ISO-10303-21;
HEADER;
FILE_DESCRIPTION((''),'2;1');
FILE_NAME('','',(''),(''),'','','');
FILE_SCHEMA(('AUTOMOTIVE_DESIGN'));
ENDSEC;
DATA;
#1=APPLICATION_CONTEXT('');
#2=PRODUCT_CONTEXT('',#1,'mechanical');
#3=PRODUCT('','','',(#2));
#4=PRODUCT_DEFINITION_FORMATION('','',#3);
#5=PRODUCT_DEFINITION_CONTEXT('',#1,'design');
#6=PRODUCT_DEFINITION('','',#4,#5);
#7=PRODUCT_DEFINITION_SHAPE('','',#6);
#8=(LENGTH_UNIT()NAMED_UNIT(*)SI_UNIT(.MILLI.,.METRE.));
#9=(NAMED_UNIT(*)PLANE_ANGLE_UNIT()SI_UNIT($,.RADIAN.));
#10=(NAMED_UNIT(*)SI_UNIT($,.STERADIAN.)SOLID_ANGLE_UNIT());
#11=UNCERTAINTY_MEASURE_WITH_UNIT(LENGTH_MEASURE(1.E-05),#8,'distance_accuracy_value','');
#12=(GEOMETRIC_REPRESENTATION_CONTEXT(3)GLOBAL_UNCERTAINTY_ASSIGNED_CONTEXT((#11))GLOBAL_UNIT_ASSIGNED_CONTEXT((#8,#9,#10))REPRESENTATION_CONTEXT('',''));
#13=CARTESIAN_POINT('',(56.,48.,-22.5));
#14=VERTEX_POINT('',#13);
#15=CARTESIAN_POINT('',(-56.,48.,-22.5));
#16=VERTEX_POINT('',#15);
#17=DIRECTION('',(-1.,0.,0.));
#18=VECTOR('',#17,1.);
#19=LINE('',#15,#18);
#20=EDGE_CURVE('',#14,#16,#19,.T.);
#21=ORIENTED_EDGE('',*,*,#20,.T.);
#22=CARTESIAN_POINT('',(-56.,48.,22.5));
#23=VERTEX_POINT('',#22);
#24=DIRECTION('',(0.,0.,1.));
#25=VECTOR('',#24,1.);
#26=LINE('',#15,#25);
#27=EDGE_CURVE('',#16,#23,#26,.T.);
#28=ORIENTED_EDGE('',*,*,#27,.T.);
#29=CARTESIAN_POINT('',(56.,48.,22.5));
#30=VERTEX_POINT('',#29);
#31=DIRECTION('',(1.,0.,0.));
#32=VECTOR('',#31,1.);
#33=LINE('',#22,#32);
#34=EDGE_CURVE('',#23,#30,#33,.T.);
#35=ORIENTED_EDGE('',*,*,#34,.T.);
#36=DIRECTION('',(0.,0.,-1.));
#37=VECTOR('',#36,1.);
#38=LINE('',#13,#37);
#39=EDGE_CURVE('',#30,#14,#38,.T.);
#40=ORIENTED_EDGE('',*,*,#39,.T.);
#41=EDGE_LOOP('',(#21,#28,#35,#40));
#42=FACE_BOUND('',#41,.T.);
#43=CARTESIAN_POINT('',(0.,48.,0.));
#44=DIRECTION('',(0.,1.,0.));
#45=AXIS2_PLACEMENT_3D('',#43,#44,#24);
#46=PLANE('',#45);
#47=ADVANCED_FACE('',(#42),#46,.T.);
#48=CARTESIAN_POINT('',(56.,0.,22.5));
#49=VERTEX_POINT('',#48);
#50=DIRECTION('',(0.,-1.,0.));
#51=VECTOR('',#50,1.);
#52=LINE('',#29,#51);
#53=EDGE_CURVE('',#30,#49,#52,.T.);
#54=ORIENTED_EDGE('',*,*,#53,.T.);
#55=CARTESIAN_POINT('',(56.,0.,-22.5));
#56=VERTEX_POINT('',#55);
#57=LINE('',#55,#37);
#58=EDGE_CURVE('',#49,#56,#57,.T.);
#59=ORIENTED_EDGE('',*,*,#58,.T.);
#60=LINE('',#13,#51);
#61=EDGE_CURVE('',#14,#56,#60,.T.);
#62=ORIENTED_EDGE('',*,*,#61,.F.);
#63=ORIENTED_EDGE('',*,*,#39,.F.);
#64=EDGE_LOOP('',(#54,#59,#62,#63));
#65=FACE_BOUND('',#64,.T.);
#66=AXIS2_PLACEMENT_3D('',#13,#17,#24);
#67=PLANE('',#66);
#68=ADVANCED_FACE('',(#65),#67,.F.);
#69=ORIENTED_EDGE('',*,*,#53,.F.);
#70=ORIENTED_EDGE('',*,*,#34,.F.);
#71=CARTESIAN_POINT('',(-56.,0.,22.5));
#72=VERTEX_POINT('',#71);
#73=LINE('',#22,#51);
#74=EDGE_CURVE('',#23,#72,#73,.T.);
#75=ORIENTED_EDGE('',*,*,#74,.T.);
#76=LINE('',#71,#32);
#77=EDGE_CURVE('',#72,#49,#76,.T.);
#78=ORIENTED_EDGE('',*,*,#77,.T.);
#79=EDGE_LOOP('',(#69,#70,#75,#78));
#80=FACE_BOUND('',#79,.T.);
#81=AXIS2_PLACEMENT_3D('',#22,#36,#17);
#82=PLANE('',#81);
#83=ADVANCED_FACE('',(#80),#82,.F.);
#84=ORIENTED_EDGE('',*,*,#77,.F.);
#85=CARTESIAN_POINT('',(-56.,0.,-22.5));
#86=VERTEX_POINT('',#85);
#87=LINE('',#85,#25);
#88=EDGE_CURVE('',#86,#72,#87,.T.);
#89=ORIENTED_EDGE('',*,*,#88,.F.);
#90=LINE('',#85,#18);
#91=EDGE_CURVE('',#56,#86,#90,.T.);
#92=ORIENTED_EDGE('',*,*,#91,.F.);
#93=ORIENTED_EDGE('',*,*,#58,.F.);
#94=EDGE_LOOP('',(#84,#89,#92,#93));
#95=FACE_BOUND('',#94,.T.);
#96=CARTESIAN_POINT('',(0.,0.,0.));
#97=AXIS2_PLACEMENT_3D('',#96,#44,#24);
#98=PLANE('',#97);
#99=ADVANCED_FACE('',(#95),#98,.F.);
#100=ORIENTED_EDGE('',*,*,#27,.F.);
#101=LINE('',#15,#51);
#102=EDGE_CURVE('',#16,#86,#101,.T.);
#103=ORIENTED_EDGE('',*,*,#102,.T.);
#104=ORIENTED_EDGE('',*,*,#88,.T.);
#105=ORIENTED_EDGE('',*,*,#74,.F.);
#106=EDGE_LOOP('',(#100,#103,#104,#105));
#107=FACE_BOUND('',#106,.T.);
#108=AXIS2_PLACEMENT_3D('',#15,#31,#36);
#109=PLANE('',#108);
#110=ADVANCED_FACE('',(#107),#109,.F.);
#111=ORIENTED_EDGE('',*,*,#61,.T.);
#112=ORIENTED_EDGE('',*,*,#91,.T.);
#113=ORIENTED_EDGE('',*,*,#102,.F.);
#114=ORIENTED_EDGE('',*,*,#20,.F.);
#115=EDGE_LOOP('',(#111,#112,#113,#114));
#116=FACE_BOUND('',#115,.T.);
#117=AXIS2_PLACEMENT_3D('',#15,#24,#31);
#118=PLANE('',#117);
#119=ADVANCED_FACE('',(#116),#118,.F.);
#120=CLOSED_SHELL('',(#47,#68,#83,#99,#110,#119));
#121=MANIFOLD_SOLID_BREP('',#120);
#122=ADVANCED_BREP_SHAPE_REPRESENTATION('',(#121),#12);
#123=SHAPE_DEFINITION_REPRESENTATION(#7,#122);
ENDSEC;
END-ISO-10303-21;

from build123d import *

# Parameters (mm, degrees)
SKETCH1_W           = 112
SKETCH1_H           = 45
BOSS_EXTRUDE1_DEPTH = 48


with BuildPart() as part:
    # Sketch1 → Boss-Extrude1 (new body)
    with BuildSketch(Plane(origin=(0, 0, 0), x_dir=(1, 0, 0), z_dir=(0, 1, 0))):
        Rectangle(SKETCH1_W, SKETCH1_H)
    extrude(amount=BOSS_EXTRUDE1_DEPTH)


solid = part.part
